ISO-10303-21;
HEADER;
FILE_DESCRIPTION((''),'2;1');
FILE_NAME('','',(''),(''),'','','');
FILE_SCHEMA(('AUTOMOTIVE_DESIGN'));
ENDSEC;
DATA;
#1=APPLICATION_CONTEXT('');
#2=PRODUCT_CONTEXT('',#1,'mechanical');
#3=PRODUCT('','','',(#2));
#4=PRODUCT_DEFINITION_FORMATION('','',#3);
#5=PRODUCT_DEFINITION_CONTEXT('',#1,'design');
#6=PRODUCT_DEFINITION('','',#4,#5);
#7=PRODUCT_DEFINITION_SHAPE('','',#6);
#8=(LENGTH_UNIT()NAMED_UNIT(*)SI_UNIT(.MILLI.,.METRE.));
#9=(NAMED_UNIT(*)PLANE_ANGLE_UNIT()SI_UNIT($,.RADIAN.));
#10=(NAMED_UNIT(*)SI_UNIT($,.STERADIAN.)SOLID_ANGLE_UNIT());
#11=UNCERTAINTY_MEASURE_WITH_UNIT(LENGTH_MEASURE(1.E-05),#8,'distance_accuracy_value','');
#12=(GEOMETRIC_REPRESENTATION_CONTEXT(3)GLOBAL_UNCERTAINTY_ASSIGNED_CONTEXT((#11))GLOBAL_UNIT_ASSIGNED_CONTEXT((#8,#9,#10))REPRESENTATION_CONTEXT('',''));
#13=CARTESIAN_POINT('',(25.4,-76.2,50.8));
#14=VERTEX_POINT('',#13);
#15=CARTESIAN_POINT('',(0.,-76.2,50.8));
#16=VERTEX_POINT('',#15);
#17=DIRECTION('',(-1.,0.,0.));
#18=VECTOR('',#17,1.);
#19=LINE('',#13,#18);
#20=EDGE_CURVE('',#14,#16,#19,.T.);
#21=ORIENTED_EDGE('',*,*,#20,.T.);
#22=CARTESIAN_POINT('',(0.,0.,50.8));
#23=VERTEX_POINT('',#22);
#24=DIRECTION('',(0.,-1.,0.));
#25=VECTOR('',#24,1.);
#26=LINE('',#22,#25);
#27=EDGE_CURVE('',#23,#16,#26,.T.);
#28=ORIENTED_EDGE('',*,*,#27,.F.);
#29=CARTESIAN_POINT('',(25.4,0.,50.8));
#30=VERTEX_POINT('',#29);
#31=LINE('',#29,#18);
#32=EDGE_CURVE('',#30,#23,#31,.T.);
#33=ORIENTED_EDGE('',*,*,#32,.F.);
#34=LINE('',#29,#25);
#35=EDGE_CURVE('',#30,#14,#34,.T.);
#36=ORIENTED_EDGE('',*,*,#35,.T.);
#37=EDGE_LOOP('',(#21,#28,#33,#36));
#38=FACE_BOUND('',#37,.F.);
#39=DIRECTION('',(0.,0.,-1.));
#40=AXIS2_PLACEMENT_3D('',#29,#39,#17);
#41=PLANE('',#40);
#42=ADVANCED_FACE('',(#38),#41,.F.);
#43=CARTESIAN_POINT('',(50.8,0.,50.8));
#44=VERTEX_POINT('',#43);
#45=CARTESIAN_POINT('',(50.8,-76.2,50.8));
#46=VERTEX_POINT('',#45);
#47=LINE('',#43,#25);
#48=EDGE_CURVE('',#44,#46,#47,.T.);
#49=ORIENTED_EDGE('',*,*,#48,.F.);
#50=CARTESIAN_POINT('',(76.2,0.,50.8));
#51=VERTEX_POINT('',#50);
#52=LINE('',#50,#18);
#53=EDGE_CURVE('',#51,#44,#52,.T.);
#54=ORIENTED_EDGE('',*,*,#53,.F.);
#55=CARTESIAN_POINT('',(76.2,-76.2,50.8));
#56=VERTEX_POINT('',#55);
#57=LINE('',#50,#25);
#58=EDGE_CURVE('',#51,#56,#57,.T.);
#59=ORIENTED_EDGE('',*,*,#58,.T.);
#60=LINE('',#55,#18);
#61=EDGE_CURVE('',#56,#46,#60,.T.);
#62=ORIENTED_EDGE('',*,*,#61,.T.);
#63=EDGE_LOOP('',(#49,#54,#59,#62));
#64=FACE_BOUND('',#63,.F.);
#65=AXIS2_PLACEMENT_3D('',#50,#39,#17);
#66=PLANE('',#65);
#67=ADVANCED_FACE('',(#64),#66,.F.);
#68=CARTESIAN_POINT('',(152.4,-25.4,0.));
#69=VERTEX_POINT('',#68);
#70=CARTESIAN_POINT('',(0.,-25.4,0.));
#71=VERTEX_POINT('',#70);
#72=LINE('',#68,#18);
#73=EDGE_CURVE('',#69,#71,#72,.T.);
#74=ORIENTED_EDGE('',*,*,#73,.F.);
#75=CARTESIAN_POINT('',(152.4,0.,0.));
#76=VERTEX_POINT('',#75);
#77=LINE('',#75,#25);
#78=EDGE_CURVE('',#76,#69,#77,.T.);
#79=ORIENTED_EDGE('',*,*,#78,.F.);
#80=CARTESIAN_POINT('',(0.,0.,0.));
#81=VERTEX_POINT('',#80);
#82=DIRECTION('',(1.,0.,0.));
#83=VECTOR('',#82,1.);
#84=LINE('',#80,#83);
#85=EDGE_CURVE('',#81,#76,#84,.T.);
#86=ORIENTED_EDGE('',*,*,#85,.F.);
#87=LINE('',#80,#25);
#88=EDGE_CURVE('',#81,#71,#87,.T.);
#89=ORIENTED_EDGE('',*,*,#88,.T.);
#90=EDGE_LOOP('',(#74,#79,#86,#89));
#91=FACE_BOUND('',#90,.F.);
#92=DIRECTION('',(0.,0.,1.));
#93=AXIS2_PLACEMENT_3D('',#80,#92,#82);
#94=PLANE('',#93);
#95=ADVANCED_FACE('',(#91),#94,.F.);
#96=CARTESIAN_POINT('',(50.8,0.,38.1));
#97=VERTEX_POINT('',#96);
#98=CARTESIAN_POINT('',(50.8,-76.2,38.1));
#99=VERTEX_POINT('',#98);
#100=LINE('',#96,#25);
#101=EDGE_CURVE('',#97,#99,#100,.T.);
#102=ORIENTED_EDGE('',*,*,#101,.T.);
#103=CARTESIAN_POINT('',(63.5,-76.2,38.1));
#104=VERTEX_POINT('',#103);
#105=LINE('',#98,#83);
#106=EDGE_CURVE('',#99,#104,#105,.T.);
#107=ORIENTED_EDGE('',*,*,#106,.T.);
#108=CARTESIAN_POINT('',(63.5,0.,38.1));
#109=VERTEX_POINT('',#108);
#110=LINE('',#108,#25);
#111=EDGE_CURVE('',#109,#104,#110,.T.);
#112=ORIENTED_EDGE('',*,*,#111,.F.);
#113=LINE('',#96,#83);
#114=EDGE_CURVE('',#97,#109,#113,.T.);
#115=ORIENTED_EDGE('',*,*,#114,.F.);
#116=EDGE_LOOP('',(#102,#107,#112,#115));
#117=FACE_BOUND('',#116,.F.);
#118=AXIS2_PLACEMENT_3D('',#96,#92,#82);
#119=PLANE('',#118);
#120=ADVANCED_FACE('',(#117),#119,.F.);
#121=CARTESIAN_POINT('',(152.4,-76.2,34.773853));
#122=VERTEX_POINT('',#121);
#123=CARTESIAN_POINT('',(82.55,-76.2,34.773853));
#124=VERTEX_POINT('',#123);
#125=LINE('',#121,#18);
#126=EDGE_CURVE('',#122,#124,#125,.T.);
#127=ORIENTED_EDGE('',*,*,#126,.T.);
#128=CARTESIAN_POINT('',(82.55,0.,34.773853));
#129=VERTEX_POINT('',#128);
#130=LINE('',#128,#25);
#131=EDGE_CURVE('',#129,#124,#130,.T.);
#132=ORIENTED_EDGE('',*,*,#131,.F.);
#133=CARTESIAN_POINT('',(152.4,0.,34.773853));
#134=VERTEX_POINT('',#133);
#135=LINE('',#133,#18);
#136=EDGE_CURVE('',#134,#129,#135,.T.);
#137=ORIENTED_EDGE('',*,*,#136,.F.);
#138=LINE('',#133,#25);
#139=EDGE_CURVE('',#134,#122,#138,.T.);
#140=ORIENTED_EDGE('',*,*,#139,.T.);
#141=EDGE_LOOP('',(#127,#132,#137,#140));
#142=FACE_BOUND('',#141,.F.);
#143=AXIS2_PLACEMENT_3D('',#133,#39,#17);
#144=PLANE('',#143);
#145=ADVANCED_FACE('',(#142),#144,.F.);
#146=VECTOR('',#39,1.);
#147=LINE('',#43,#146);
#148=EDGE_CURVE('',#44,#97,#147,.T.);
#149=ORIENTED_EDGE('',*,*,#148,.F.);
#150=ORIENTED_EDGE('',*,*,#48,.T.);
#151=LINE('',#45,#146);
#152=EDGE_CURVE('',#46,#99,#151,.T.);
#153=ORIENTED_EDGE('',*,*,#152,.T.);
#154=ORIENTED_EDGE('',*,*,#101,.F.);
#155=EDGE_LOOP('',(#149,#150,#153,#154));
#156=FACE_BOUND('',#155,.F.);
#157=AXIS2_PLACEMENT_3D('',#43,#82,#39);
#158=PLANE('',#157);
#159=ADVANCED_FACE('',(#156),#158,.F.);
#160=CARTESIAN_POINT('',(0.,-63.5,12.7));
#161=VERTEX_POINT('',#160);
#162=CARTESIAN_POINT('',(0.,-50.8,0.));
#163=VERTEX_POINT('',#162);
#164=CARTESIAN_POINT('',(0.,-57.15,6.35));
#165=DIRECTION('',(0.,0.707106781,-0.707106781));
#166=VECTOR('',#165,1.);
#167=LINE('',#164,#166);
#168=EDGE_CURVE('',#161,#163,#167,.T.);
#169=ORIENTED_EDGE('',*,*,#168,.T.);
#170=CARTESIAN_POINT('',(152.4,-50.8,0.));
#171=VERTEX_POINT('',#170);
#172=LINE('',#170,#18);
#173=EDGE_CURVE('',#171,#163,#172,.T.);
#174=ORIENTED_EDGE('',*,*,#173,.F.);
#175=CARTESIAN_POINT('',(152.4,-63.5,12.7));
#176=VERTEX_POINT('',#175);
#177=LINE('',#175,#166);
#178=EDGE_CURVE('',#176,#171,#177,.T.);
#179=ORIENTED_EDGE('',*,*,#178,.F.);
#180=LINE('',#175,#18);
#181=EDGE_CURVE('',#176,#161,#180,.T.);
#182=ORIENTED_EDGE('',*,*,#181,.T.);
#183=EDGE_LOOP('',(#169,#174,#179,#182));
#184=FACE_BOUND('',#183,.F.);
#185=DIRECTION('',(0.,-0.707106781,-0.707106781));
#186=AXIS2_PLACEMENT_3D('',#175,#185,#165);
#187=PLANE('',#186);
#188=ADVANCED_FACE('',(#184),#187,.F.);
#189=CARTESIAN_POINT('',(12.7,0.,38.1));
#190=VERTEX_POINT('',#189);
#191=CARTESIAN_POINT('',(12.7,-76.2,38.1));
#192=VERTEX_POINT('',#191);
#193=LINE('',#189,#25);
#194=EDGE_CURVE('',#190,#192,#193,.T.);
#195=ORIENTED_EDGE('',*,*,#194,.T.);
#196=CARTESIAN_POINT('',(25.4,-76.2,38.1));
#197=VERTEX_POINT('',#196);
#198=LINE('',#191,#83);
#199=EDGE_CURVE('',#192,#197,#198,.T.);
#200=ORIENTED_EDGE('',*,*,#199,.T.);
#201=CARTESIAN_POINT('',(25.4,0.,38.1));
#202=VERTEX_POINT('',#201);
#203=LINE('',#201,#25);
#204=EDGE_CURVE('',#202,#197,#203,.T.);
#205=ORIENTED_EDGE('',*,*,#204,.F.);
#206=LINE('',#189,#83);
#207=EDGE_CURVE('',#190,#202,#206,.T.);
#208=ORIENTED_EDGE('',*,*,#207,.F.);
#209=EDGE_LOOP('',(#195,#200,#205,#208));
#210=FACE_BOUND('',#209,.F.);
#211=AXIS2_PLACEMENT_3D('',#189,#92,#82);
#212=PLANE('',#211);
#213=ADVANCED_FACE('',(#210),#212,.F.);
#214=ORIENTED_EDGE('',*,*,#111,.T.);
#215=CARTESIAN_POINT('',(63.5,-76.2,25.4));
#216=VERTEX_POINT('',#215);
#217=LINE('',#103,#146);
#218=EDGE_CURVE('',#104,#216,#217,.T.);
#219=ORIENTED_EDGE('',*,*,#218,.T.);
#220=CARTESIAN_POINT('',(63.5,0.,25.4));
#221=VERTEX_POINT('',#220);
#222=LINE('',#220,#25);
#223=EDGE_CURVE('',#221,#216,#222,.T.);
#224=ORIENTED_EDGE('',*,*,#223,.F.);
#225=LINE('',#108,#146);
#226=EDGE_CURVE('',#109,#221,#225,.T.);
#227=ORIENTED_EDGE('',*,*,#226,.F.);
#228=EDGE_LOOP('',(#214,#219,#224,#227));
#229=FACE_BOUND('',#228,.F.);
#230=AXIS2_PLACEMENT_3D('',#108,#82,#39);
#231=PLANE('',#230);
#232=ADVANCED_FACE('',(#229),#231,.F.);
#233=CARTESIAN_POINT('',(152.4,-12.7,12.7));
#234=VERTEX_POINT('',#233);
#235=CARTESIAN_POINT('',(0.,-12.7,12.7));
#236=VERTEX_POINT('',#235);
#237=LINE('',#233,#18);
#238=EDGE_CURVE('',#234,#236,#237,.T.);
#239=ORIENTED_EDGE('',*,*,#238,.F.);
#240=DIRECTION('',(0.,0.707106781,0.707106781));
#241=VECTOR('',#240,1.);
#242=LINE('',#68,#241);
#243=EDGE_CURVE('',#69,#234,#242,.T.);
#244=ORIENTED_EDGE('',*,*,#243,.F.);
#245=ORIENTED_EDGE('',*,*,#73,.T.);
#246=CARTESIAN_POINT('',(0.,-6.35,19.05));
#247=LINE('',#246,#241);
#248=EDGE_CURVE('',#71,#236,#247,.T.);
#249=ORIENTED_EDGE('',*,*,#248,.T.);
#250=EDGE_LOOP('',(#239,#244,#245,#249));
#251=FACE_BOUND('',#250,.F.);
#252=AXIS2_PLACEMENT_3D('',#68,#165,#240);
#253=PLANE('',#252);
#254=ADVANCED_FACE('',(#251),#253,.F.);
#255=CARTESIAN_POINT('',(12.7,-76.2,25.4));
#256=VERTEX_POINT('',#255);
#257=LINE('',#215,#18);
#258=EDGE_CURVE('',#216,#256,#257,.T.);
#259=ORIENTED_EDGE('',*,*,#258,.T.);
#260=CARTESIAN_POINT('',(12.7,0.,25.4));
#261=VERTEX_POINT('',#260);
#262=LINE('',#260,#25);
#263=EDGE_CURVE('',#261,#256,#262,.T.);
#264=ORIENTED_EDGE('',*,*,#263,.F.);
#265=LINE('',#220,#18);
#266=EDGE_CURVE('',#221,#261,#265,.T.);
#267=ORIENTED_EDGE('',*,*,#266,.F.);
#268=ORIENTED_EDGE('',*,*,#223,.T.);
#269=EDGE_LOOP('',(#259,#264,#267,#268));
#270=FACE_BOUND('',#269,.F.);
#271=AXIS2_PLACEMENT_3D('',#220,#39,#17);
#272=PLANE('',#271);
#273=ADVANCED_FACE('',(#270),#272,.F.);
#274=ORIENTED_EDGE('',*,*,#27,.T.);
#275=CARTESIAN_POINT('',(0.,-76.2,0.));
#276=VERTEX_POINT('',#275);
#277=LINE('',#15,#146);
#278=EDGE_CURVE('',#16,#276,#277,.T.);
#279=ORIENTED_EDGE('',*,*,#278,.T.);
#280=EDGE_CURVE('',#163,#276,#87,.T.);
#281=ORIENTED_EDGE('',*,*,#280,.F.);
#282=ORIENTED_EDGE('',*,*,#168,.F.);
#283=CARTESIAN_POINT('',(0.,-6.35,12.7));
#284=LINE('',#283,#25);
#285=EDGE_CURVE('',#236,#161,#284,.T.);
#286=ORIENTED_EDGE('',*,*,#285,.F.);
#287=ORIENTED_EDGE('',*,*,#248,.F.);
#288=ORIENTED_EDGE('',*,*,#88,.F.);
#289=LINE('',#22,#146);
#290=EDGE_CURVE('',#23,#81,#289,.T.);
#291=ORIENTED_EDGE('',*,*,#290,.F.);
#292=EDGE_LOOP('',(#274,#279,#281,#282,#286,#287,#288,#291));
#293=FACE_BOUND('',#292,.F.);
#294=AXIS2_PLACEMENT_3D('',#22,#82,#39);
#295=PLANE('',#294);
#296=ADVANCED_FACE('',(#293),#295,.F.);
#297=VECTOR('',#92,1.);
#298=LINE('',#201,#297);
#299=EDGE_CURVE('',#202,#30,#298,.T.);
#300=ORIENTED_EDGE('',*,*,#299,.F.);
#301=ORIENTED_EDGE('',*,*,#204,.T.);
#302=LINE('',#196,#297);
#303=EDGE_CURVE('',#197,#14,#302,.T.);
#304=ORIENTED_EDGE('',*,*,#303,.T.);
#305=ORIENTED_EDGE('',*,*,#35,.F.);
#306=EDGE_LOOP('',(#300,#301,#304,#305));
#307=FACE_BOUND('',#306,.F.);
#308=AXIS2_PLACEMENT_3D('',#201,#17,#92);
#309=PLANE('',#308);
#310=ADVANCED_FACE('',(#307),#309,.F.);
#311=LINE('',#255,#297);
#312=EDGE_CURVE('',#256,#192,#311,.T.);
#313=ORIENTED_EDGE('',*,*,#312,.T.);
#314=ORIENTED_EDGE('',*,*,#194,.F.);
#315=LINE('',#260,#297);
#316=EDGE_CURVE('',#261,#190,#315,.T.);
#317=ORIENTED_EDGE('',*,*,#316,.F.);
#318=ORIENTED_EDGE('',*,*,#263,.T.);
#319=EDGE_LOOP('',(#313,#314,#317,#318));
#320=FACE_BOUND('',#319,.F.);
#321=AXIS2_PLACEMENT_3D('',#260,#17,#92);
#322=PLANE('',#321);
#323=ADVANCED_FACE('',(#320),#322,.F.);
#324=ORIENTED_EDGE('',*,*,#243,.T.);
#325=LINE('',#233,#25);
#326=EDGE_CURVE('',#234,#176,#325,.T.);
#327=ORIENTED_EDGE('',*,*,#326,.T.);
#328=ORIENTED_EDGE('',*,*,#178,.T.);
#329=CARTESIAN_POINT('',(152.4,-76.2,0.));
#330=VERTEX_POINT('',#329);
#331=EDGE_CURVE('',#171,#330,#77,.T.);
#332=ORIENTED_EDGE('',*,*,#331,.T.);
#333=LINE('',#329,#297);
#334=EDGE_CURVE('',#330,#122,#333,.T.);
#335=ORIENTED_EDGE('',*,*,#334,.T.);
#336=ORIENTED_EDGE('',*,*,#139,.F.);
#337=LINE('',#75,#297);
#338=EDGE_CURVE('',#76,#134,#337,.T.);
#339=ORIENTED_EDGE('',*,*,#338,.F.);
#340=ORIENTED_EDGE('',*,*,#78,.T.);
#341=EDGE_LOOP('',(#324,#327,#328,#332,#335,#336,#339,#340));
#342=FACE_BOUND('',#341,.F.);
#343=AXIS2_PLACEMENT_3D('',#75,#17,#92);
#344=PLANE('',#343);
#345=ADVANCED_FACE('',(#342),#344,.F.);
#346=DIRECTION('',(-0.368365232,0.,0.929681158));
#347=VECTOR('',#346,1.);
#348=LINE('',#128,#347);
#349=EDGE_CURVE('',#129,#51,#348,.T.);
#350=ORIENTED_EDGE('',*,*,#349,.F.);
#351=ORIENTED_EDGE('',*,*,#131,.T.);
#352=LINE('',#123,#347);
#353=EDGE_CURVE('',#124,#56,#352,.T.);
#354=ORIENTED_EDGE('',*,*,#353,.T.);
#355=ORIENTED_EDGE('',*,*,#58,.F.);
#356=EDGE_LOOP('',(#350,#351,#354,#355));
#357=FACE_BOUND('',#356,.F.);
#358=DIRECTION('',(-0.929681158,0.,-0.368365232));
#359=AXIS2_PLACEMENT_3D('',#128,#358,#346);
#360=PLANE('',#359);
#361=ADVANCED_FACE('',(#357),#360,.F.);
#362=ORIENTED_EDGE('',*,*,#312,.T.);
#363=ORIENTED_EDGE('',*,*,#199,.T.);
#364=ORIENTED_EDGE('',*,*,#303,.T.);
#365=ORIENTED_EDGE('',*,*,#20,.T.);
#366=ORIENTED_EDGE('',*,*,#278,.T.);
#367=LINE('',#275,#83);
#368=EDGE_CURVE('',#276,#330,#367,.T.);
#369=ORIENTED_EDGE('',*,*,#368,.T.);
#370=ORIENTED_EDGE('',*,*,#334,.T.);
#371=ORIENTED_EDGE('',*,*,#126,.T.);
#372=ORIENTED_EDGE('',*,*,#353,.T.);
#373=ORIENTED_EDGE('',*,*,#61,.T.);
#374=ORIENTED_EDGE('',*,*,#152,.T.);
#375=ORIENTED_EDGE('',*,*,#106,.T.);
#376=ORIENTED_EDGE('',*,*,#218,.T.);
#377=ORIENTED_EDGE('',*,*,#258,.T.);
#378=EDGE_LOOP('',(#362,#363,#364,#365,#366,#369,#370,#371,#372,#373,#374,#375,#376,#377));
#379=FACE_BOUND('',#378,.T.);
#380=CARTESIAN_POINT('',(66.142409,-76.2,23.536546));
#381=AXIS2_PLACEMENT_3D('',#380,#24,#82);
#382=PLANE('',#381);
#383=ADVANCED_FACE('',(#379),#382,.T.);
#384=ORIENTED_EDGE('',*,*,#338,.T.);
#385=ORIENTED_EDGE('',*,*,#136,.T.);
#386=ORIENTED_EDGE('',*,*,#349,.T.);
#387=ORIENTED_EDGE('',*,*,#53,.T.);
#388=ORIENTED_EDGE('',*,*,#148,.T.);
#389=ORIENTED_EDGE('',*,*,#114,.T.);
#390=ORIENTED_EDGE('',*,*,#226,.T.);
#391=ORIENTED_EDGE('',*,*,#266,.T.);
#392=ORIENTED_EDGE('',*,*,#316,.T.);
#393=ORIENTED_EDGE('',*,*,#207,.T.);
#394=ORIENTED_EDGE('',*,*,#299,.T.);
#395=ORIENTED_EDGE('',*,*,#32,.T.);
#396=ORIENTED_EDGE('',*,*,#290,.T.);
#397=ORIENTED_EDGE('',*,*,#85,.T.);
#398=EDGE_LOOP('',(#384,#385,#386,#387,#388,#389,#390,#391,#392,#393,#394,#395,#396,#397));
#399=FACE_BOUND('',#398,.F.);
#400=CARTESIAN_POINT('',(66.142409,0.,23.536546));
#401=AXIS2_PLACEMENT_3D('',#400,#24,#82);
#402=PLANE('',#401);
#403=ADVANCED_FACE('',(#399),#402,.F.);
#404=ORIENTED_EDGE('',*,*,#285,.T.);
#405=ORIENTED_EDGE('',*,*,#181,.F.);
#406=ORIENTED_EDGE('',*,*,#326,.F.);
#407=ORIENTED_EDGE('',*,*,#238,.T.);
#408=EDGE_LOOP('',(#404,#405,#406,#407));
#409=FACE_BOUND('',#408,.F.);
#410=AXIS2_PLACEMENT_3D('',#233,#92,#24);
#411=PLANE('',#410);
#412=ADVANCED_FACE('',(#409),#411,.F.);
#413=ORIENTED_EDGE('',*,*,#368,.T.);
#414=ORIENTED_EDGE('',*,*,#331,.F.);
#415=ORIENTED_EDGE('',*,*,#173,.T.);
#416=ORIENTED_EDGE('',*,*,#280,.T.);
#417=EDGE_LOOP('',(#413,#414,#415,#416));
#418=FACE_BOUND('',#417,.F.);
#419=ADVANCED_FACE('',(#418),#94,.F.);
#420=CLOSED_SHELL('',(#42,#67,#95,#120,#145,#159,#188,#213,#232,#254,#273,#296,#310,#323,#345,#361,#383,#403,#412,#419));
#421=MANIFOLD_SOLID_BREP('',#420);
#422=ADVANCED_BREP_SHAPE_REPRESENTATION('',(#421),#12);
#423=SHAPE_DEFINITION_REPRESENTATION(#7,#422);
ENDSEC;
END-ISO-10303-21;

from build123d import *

# Parameters (mm, degrees)
F1_DEPTH = 76.2
F3_DEPTH = 203.2


with BuildPart() as f1:
    # F0 (on Front) → F1 (new body)
    with BuildSketch(Plane.XZ):
        Polygon((0, 50.8), (0, 0), (152.4, 0), (152.4, 34.773853), (82.55, 34.773853), (76.2, 50.8), (50.8, 50.8), (50.8, 38.1), (63.5, 38.1), (63.5, 25.4), (12.7, 25.4), (12.7, 38.1), (25.4, 38.1), (25.4, 50.8), align=None)
    extrude(amount=F1_DEPTH)

    # F2 (on face) → F3 (cut)
    with BuildSketch(Plane.YZ.offset(152.4)):
        Polygon((-63.5, 12.7), (-50.8, 0), (-38.1, 0), (-25.4, 0), (-12.7, 12.7), (-38.1, 12.7), align=None)
    extrude(amount=-F3_DEPTH, mode=Mode.SUBTRACT)


solid = f1.part
